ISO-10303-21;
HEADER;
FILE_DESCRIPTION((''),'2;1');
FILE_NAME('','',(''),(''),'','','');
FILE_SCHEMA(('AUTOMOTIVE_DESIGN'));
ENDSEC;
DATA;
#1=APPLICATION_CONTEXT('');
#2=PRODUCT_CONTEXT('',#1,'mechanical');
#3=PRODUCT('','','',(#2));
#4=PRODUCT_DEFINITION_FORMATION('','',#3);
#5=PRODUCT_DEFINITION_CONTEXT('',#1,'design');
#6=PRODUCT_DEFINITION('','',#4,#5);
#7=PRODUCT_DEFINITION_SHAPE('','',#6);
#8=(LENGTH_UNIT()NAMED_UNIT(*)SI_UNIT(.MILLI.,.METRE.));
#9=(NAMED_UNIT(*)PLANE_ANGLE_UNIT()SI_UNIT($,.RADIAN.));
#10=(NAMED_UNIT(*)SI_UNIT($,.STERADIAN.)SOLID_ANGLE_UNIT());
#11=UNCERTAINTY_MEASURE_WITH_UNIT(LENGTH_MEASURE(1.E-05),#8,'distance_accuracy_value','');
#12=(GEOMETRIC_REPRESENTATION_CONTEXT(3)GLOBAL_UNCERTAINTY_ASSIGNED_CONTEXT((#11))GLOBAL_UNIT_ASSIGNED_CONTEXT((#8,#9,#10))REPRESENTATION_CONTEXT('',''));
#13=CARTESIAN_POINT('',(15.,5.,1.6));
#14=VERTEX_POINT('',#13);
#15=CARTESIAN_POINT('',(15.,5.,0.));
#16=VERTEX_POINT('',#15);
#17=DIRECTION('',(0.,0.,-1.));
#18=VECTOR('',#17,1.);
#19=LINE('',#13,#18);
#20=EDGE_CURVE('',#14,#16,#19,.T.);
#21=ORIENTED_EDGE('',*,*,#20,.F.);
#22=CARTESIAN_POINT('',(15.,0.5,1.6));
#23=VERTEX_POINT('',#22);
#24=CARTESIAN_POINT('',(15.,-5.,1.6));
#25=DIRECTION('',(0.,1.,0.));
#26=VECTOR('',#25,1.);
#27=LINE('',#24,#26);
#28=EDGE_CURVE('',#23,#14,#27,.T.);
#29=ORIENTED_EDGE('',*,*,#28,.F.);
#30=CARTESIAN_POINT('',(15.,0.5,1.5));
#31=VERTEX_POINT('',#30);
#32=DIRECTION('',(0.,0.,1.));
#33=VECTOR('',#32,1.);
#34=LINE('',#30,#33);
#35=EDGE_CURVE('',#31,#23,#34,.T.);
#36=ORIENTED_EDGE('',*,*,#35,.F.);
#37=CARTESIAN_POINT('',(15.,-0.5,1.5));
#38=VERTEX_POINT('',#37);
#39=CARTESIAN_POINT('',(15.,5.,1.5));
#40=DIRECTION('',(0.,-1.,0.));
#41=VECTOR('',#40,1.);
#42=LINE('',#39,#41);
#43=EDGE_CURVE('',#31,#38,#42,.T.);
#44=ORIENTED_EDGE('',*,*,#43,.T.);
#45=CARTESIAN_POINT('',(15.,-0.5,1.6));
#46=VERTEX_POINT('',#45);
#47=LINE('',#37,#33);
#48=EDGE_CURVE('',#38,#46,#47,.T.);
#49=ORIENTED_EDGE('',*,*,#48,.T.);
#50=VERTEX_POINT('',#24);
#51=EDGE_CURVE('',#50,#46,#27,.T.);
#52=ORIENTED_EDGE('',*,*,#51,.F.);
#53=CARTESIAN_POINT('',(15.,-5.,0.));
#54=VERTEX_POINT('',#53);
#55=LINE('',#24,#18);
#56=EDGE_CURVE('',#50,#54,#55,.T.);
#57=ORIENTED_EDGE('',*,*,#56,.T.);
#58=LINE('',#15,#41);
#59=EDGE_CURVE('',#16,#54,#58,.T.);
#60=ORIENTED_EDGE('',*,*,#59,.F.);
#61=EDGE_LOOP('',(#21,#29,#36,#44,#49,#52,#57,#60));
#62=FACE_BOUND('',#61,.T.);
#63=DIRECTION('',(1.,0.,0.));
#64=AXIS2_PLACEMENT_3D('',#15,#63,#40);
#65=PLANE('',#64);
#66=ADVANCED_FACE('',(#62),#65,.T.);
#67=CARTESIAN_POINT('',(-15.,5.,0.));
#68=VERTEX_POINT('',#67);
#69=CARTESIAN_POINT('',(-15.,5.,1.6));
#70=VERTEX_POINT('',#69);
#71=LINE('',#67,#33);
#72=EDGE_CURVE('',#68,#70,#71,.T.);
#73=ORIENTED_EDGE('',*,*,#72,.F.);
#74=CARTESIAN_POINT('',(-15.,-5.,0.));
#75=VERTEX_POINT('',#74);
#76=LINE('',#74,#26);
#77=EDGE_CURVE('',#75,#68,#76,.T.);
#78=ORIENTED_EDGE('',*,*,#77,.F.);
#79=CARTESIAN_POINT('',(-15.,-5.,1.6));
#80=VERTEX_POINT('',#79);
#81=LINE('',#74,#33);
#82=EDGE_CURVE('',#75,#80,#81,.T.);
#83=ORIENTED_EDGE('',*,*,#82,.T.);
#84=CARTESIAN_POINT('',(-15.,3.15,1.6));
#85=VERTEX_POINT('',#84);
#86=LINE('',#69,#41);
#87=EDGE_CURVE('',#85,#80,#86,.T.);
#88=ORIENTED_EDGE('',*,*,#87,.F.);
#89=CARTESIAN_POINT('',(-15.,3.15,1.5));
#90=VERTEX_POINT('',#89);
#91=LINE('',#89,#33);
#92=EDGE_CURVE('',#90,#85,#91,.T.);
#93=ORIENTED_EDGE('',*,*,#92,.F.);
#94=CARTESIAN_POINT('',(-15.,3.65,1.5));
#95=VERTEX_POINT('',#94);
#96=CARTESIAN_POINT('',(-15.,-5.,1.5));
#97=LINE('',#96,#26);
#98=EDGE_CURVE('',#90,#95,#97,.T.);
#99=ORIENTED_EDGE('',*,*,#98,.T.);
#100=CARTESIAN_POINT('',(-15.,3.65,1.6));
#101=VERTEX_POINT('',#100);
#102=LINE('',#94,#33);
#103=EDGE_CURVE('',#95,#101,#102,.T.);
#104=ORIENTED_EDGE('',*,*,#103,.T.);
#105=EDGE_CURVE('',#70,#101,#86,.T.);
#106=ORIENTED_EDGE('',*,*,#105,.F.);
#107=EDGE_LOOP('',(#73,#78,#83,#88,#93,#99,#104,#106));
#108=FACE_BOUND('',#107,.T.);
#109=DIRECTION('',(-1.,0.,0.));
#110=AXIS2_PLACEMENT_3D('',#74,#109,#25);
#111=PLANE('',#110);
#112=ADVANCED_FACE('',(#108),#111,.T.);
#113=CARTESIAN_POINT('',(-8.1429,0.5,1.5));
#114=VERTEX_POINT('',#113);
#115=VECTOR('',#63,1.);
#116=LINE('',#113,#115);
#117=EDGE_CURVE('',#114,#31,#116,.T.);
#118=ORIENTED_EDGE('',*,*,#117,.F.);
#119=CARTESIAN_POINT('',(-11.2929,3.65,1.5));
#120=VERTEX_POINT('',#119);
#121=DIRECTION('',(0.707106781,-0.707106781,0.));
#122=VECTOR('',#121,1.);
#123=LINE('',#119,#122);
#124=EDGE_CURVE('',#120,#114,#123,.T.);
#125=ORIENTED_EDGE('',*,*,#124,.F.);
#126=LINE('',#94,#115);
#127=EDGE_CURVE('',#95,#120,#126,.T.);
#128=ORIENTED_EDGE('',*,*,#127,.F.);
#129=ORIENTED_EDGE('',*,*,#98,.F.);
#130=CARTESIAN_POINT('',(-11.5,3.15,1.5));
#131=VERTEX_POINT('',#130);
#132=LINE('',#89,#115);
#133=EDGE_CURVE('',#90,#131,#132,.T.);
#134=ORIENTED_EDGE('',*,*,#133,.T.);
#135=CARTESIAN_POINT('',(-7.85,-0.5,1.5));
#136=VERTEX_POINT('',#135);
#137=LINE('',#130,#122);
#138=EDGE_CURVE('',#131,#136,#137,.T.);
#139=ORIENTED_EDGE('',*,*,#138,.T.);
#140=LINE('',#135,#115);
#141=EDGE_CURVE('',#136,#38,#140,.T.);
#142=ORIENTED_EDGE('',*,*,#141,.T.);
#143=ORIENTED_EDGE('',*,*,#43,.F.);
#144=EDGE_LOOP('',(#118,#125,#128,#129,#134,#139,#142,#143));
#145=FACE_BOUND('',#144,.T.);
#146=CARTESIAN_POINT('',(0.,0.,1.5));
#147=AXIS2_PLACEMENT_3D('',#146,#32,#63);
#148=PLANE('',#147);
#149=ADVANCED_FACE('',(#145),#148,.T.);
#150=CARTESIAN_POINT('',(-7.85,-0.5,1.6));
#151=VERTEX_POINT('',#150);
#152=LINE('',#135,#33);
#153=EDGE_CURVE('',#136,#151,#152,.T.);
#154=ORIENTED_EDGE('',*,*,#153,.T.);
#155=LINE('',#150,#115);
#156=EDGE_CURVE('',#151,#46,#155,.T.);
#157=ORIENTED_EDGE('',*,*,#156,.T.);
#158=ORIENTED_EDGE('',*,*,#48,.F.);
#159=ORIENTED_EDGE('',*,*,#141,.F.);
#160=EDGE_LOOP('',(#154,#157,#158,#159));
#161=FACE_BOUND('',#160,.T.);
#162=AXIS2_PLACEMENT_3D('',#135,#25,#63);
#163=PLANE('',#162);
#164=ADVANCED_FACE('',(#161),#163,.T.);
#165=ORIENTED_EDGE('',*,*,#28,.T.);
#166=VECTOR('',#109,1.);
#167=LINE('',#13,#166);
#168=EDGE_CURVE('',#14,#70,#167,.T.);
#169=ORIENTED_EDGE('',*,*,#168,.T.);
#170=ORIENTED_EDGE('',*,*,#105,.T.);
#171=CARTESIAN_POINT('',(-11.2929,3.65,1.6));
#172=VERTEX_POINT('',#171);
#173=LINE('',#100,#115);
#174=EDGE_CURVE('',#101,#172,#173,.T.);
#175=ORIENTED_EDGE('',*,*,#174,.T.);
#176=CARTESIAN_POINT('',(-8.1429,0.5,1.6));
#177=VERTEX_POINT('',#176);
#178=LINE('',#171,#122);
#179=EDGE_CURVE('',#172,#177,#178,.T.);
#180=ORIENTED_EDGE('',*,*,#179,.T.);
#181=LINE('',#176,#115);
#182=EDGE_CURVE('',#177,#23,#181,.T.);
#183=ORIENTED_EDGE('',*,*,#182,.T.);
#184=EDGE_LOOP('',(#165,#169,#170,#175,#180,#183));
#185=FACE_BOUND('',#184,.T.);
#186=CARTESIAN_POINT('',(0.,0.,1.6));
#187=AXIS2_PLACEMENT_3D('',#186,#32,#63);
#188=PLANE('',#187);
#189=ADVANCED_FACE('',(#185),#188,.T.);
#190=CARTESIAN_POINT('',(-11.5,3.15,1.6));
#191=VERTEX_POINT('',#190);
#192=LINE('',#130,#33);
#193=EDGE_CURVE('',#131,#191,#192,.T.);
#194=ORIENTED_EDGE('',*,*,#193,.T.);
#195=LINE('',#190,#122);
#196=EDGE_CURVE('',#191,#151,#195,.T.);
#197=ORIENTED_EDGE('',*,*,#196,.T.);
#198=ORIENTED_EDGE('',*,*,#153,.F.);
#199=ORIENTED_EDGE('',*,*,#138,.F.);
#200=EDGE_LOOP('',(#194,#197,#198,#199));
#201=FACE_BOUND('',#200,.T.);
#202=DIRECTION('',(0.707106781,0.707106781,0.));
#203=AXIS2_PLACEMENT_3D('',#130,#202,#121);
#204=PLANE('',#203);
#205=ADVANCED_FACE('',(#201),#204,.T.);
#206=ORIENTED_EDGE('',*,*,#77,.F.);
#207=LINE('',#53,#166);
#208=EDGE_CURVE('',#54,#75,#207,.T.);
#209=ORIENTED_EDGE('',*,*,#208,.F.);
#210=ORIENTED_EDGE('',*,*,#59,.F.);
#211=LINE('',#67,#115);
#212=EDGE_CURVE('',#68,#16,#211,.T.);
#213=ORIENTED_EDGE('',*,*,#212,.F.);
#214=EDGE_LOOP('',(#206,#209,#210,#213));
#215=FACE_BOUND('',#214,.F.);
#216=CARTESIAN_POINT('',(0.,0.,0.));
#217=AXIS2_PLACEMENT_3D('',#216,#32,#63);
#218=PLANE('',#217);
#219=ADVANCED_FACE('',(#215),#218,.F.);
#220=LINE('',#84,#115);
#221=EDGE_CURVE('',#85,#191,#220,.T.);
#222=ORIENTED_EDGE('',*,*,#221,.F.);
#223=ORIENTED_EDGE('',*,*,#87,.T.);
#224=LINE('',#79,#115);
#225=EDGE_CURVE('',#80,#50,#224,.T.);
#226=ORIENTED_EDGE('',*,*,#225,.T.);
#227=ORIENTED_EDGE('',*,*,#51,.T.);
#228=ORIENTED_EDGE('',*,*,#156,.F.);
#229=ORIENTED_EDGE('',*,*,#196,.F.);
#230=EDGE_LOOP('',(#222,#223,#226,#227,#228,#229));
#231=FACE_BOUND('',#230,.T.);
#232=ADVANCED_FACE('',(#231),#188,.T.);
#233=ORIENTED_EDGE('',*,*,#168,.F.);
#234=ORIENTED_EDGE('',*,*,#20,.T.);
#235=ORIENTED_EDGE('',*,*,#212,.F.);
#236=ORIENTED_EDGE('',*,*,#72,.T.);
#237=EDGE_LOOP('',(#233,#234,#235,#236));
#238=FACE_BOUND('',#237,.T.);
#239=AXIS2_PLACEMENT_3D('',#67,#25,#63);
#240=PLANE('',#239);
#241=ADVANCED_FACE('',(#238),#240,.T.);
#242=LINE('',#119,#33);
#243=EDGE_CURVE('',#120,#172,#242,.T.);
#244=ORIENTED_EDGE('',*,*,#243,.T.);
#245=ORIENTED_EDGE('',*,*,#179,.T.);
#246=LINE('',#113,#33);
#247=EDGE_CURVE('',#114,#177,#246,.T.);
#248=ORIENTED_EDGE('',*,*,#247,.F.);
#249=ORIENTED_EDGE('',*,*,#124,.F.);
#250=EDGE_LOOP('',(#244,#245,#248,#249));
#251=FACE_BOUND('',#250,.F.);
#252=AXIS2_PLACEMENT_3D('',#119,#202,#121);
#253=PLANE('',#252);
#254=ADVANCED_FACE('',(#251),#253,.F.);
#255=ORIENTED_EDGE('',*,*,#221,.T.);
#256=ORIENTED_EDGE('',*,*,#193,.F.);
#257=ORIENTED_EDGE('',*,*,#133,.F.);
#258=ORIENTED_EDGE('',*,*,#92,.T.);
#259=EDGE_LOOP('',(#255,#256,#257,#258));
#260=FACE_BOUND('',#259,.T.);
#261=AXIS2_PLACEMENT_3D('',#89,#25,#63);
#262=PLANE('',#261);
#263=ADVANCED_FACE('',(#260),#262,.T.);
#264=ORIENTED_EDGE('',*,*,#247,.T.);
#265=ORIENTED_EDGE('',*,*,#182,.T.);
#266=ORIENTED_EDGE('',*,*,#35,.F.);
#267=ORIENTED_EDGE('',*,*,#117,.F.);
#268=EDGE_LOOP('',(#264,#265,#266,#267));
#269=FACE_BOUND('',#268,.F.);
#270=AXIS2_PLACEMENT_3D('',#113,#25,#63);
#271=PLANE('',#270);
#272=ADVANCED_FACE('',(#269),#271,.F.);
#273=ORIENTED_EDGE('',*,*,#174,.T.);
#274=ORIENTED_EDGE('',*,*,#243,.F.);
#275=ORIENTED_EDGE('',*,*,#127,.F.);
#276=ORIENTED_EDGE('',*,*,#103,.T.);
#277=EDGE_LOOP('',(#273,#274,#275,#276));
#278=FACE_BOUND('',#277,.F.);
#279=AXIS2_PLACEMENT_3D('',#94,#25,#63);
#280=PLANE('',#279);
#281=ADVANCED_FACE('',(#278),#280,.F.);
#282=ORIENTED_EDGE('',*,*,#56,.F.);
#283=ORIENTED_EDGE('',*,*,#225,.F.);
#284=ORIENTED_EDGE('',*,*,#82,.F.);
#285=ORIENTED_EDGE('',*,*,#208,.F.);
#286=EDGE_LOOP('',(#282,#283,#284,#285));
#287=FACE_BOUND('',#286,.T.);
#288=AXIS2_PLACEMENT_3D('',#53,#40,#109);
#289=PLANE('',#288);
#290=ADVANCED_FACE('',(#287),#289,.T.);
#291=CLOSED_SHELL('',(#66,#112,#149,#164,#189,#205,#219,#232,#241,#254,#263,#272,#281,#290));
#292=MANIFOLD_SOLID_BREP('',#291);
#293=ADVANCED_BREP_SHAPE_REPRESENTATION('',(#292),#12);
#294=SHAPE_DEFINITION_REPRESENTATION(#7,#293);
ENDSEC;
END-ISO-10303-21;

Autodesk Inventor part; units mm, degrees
ref_plane "YZ Plane" through (0, 0, 0) normal (1, 0, 0) x (0, 1, 0)
ref_plane "XZ Plane" through (0, 0, 0) normal (0, 1, 0) x (-1, 0, 0)
ref_plane "XY Plane" through (0, 0, 0) normal (0, 0, 1) x (1, 0, 0)
sketch "Sketch1" plane through (0, 0, 0) normal (0, 0, 1) x (1, 0, 0)
  line L0 (-15, 5) -> (15, 5)
  line L1 (15, 5) -> (15, -5)
  line L2 (15, -5) -> (-15, -5)
  line L3 (-15, -5) -> (-15, 5)
  point P0 (0, 0)
  dimension "d0" = 30
  dimension "d1" = 10
  dimension "d10" = 5
  dimension "d11" = 15
extrude "Extrusion1" add sketch "Sketch1" along normal blind 1.5
sketch "Sketch2" plane through (0, 0, 1.5) normal (0, 0, 1) x (1, 0, 0)
  line L0 (15, 5) -> (-15, 5) projected
  line L1 (-15, 5) -> (-15, -5) projected
  line L2 (-15, -5) -> (15, -5) projected
  line L3 (15, -5) -> (15, 5) projected
  line L4 (-15, 5) -> (-15, -5) projected
  line L5 (-15, 3.65) -> (-11.2929, 3.65)
  line L6 (-15, 3.15) -> (-11.5, 3.15)
  line L7 (-11.5, 3.15) -> (-7.85, -0.5)
  line L8 (-11.5, 3.15) -> (-4.55, 3.15) construction
  line L9 (15, -5) -> (15, 5) projected
  line L10 (-7.85, -0.5) -> (15, -0.5)
  line L11 (-8.1429, 0.5) -> (15, 0.5)
  line L12 (-11.2929, 3.65) -> (-8.1429, 0.5)
  point P0 (0, 0)
  point P1 (-15, 3.4)
  dimension "d4" = 1.6
  dimension "d5" = 0.25
  dimension "d6" = 0.25
  dimension "d8" = 10
  dimension "d13" = 45
  dimension "d14" = 3.5
  dimension "d17" = 0.5
extrude "Extrusion2" add sketch "Sketch2" along normal blind 0.1 contours L3 L11 L12 L5 L1 L0 | L3 L2 L1 L6 L7 L10
equation "\"d10\" = 0.5 * d1"
equation "\"d11\" = 0.5 * d0"
equation "\"d6\" = d5"
equation "\"d17\" = d16"
equation "\"d16\" = 0.5"
properties part number "CNCM_FR4_Measurement_Rail_Contacts" material "Polypropylene"
